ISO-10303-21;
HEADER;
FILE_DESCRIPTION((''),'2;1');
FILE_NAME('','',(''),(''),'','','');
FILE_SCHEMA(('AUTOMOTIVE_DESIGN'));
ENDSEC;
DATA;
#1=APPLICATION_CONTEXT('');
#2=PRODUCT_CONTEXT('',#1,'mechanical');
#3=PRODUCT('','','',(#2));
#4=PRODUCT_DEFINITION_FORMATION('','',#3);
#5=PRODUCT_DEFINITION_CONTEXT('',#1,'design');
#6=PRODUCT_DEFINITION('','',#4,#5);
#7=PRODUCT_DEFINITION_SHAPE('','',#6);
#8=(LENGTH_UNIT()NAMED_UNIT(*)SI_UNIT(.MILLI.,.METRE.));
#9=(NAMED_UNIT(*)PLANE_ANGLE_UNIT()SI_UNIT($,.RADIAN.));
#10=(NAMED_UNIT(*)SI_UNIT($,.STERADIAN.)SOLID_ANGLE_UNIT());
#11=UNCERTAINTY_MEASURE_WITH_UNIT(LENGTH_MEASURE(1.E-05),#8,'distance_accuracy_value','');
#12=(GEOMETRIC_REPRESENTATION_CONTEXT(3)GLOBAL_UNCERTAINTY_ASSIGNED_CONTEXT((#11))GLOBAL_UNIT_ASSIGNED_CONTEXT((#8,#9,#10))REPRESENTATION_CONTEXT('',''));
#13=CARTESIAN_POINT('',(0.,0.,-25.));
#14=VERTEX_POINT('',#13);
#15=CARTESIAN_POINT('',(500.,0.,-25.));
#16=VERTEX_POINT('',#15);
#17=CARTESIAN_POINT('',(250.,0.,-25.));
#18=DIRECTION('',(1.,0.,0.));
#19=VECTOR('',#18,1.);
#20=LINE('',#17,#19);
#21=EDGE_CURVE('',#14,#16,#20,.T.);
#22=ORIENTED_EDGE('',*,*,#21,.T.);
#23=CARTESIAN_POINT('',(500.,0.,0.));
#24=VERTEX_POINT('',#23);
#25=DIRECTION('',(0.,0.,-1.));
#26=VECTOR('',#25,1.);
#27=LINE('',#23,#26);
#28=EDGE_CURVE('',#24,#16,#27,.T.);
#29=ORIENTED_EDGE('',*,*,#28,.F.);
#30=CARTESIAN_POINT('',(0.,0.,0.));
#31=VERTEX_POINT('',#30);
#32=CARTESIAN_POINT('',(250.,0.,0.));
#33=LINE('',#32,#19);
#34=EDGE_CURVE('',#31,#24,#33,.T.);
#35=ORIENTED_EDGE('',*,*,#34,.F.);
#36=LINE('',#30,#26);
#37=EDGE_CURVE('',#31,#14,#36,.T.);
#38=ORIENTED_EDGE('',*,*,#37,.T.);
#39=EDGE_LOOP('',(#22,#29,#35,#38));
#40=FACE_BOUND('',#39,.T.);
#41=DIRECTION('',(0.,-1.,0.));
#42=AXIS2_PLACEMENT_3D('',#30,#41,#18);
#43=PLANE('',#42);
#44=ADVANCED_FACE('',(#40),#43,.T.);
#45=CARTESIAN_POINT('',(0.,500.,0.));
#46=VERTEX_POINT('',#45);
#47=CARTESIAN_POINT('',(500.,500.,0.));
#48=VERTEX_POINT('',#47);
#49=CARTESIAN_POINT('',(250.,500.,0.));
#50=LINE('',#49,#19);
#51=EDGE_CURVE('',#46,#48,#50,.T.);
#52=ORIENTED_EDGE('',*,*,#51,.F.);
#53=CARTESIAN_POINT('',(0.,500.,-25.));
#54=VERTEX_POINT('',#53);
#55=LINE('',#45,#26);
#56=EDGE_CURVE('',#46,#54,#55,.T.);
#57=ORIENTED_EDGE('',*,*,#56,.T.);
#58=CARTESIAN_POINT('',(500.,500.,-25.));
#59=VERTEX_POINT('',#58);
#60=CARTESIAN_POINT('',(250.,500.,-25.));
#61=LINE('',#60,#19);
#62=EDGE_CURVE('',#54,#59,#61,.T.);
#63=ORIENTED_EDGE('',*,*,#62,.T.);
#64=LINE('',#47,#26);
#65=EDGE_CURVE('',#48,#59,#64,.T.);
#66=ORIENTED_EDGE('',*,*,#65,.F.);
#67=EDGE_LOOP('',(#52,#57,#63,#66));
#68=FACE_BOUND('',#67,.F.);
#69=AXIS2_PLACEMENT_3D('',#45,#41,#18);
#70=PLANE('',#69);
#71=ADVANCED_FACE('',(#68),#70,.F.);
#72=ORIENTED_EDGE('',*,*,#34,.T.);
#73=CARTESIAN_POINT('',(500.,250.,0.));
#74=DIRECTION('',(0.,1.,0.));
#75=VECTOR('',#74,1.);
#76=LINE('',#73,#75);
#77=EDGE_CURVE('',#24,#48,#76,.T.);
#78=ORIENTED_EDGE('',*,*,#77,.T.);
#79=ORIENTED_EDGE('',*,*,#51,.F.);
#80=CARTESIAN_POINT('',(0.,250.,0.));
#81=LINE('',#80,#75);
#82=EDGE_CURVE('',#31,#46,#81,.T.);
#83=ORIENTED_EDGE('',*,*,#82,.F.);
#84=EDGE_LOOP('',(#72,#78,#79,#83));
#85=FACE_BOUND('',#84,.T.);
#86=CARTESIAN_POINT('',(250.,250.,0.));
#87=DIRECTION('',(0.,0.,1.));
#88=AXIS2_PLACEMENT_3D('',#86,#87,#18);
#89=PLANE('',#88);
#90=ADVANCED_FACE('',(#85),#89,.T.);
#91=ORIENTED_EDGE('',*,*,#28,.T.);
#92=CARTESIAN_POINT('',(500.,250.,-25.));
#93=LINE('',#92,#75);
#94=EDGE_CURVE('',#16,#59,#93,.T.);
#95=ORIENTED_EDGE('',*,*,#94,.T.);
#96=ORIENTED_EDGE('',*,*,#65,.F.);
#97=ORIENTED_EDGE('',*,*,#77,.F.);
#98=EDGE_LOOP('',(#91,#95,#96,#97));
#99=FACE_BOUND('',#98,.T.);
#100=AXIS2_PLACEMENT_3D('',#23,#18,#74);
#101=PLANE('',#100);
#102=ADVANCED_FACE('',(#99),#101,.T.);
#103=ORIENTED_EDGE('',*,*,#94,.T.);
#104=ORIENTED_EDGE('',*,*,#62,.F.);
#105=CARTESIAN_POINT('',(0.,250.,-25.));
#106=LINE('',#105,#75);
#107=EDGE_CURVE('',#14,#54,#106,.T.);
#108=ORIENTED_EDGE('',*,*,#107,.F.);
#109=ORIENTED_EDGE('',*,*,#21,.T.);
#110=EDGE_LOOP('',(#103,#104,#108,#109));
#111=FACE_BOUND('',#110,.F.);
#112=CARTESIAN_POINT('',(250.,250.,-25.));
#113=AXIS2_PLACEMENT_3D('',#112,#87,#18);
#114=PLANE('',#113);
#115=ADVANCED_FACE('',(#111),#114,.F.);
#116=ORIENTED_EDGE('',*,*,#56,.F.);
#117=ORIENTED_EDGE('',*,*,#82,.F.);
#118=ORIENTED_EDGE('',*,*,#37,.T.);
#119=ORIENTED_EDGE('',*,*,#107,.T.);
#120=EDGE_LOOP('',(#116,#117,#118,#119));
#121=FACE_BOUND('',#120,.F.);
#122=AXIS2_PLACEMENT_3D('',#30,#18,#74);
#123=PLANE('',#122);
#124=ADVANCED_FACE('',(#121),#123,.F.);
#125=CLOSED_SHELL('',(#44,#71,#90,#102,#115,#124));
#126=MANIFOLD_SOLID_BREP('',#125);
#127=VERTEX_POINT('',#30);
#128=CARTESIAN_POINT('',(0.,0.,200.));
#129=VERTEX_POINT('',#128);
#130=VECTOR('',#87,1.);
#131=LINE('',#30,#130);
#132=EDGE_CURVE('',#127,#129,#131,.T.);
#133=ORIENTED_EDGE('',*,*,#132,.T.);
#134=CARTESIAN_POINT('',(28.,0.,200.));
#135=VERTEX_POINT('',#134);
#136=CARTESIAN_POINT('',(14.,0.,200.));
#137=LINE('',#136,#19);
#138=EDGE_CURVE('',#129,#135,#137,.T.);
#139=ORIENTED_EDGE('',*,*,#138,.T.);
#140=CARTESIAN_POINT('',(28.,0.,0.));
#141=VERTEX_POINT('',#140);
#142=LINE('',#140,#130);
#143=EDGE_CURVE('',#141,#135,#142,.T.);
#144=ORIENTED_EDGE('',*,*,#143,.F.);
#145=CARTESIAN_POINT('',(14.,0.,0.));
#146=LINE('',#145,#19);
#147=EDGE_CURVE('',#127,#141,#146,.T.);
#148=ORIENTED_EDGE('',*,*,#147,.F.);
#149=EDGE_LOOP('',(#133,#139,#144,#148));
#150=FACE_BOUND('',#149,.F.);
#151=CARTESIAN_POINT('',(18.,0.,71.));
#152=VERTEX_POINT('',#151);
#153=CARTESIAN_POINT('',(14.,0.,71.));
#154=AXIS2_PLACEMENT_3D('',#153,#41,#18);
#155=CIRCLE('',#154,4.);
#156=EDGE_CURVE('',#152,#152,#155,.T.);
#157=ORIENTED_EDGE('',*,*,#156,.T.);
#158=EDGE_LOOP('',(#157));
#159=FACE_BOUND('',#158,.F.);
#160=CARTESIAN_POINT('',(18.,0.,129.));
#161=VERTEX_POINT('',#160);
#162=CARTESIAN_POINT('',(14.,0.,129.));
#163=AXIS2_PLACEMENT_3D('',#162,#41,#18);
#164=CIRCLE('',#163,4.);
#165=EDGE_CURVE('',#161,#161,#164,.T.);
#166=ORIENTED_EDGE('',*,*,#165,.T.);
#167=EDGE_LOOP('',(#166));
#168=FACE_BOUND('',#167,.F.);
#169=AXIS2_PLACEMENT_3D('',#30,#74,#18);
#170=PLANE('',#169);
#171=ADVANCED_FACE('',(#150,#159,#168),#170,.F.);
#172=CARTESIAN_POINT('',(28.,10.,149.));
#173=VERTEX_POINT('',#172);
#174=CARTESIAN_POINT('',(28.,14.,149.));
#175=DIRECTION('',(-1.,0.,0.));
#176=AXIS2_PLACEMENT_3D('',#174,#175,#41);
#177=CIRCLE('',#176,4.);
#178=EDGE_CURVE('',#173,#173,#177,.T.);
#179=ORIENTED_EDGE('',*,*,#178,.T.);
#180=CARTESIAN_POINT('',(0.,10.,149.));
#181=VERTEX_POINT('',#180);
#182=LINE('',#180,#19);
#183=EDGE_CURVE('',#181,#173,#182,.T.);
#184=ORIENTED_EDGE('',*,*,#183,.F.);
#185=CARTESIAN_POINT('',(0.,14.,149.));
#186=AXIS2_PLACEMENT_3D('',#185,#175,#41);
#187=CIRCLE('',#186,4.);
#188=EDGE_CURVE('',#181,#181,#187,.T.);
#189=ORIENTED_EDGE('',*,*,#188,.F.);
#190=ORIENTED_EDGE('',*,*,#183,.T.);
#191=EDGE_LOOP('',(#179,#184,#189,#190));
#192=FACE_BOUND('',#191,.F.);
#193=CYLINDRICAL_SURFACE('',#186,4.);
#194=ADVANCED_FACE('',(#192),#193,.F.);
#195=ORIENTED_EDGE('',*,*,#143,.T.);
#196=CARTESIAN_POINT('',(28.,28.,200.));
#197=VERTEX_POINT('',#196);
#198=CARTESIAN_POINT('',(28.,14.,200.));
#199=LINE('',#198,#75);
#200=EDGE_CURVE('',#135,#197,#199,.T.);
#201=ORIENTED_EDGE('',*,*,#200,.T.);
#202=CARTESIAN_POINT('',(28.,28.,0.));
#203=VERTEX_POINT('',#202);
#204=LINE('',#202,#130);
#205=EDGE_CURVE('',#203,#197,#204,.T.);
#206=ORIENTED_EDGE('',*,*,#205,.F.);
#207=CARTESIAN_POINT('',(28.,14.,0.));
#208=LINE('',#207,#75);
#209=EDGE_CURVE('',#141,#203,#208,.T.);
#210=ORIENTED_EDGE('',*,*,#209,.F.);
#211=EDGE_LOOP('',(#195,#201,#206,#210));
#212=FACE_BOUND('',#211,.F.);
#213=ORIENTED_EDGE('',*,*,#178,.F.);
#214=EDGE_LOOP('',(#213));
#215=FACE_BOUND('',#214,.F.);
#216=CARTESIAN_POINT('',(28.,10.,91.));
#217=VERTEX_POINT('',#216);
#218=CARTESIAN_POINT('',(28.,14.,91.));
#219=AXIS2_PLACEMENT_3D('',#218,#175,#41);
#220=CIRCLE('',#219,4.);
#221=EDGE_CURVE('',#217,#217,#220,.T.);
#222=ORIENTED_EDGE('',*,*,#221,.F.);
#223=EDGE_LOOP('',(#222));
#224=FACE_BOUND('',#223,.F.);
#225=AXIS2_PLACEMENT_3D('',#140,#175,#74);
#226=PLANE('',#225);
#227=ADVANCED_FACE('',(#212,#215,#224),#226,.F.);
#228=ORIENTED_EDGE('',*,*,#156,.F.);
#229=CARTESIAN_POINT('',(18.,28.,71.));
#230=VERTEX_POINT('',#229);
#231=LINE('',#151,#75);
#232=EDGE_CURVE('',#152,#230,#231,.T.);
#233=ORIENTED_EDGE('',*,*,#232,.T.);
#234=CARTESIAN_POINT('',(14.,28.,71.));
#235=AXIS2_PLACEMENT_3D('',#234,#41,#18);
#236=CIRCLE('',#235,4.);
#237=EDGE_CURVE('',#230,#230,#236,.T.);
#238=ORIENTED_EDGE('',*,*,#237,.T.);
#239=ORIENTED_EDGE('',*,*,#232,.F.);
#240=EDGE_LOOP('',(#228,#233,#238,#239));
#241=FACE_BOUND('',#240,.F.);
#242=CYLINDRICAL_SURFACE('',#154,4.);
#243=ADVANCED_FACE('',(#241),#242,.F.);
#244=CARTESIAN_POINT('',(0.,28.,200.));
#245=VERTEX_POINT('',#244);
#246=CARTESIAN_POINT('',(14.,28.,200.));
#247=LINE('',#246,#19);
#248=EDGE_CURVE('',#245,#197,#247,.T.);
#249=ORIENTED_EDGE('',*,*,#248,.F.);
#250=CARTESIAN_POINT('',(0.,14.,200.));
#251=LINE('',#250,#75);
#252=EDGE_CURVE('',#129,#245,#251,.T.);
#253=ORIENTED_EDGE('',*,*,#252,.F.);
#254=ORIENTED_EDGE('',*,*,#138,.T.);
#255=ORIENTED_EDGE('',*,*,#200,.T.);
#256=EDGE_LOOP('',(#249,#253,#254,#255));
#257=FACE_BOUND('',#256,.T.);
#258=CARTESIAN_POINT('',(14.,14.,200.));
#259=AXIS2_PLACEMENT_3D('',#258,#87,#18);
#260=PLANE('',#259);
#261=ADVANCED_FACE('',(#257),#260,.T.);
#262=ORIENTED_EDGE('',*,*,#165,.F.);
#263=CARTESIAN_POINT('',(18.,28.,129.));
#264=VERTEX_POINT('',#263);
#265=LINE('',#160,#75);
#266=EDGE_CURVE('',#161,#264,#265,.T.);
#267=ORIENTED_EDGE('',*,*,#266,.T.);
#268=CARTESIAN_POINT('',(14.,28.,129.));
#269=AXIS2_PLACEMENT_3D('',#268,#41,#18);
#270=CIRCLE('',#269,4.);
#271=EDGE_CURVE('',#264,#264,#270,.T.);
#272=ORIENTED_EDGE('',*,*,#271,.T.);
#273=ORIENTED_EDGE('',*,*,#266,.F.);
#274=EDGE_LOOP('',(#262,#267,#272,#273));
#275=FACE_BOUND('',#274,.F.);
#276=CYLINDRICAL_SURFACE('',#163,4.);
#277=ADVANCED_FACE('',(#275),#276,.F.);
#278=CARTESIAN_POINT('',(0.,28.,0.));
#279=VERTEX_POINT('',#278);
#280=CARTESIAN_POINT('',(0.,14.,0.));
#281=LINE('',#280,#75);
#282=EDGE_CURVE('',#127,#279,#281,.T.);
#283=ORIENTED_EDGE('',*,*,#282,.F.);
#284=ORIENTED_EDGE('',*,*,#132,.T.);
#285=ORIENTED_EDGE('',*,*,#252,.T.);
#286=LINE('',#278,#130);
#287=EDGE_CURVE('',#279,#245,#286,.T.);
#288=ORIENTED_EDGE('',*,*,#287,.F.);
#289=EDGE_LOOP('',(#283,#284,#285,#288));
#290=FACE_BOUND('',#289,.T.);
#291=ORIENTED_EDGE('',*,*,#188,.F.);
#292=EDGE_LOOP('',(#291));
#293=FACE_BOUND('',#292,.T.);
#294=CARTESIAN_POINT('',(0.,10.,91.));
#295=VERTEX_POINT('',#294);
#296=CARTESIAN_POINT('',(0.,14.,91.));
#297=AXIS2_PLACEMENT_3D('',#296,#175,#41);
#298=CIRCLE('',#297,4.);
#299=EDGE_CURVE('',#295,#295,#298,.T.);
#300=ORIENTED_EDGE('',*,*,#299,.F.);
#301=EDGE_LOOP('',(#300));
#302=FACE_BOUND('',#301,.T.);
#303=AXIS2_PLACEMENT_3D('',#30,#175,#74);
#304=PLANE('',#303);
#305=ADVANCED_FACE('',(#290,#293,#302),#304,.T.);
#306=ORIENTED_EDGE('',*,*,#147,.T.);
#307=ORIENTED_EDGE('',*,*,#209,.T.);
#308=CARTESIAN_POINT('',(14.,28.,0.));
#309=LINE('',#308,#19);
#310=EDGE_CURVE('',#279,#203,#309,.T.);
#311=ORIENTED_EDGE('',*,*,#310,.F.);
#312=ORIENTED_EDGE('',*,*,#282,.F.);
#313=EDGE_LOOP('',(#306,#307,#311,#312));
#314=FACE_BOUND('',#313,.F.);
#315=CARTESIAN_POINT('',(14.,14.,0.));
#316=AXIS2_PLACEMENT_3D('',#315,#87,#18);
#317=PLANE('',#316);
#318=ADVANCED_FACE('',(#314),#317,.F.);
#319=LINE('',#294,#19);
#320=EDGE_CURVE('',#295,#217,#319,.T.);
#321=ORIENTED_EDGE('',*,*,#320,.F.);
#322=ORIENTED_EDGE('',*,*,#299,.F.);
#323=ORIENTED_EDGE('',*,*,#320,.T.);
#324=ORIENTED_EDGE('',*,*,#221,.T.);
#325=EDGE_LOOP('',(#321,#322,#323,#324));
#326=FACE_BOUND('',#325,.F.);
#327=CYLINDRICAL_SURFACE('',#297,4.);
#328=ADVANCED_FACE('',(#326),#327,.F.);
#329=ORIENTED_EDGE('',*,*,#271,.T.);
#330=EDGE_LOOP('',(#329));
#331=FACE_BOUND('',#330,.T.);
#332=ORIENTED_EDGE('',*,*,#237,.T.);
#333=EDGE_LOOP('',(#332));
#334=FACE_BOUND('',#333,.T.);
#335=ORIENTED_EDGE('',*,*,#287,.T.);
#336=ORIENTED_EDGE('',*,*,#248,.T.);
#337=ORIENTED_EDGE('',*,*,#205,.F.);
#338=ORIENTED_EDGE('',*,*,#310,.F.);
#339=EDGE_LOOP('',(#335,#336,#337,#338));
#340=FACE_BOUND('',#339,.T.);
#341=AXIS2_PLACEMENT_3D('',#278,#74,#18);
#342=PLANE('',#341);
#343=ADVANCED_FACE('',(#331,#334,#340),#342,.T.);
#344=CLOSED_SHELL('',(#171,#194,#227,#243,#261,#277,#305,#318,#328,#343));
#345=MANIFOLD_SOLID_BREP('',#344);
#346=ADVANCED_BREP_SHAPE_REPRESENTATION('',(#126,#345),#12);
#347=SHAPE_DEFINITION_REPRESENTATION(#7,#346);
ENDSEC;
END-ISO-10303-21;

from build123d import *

# Parameters (mm, degrees)
F0_W     = 500
F0_H     = 500
F1_DEPTH = 25
F2_W     = 28
F2_H     = 28
F3_DEPTH = 200
F4_R     = 4
F5_DEPTH = 30
F6_R     = 4
F7_DEPTH = 30


with BuildPart() as f1:
    # F0 (on Top) → F1 (new body)
    with BuildSketch(Plane.XY):
        with Locations((250, 250)):
            Rectangle(F0_W, F0_H)
    extrude(amount=-F1_DEPTH)


with BuildPart() as f3:
    # F2 (on Top) → F3 (new body)
    with BuildSketch(Plane.XY):
        with Locations((14, 14)):
            Rectangle(F2_W, F2_H)
    extrude(amount=F3_DEPTH)

    # F4 (on face) → F5 (cut)
    with BuildSketch(Plane.XZ):
        with Locations((14, 129)):
            Circle(F4_R)
        with Locations((14, 71)):
            Circle(F4_R)
    extrude(amount=-F5_DEPTH, mode=Mode.SUBTRACT)

    # F6 (on face) → F7 (cut)
    with BuildSketch(Plane(origin=(0, 0, 0), x_dir=(0, -1, 0), z_dir=(-1, 0, 0))):
        with Locations((-14, 149)):
            Circle(F6_R)
        with Locations((-14, 91)):
            Circle(F6_R)
    extrude(amount=-F7_DEPTH, mode=Mode.SUBTRACT)


solid = Compound([f1.part, f3.part])
